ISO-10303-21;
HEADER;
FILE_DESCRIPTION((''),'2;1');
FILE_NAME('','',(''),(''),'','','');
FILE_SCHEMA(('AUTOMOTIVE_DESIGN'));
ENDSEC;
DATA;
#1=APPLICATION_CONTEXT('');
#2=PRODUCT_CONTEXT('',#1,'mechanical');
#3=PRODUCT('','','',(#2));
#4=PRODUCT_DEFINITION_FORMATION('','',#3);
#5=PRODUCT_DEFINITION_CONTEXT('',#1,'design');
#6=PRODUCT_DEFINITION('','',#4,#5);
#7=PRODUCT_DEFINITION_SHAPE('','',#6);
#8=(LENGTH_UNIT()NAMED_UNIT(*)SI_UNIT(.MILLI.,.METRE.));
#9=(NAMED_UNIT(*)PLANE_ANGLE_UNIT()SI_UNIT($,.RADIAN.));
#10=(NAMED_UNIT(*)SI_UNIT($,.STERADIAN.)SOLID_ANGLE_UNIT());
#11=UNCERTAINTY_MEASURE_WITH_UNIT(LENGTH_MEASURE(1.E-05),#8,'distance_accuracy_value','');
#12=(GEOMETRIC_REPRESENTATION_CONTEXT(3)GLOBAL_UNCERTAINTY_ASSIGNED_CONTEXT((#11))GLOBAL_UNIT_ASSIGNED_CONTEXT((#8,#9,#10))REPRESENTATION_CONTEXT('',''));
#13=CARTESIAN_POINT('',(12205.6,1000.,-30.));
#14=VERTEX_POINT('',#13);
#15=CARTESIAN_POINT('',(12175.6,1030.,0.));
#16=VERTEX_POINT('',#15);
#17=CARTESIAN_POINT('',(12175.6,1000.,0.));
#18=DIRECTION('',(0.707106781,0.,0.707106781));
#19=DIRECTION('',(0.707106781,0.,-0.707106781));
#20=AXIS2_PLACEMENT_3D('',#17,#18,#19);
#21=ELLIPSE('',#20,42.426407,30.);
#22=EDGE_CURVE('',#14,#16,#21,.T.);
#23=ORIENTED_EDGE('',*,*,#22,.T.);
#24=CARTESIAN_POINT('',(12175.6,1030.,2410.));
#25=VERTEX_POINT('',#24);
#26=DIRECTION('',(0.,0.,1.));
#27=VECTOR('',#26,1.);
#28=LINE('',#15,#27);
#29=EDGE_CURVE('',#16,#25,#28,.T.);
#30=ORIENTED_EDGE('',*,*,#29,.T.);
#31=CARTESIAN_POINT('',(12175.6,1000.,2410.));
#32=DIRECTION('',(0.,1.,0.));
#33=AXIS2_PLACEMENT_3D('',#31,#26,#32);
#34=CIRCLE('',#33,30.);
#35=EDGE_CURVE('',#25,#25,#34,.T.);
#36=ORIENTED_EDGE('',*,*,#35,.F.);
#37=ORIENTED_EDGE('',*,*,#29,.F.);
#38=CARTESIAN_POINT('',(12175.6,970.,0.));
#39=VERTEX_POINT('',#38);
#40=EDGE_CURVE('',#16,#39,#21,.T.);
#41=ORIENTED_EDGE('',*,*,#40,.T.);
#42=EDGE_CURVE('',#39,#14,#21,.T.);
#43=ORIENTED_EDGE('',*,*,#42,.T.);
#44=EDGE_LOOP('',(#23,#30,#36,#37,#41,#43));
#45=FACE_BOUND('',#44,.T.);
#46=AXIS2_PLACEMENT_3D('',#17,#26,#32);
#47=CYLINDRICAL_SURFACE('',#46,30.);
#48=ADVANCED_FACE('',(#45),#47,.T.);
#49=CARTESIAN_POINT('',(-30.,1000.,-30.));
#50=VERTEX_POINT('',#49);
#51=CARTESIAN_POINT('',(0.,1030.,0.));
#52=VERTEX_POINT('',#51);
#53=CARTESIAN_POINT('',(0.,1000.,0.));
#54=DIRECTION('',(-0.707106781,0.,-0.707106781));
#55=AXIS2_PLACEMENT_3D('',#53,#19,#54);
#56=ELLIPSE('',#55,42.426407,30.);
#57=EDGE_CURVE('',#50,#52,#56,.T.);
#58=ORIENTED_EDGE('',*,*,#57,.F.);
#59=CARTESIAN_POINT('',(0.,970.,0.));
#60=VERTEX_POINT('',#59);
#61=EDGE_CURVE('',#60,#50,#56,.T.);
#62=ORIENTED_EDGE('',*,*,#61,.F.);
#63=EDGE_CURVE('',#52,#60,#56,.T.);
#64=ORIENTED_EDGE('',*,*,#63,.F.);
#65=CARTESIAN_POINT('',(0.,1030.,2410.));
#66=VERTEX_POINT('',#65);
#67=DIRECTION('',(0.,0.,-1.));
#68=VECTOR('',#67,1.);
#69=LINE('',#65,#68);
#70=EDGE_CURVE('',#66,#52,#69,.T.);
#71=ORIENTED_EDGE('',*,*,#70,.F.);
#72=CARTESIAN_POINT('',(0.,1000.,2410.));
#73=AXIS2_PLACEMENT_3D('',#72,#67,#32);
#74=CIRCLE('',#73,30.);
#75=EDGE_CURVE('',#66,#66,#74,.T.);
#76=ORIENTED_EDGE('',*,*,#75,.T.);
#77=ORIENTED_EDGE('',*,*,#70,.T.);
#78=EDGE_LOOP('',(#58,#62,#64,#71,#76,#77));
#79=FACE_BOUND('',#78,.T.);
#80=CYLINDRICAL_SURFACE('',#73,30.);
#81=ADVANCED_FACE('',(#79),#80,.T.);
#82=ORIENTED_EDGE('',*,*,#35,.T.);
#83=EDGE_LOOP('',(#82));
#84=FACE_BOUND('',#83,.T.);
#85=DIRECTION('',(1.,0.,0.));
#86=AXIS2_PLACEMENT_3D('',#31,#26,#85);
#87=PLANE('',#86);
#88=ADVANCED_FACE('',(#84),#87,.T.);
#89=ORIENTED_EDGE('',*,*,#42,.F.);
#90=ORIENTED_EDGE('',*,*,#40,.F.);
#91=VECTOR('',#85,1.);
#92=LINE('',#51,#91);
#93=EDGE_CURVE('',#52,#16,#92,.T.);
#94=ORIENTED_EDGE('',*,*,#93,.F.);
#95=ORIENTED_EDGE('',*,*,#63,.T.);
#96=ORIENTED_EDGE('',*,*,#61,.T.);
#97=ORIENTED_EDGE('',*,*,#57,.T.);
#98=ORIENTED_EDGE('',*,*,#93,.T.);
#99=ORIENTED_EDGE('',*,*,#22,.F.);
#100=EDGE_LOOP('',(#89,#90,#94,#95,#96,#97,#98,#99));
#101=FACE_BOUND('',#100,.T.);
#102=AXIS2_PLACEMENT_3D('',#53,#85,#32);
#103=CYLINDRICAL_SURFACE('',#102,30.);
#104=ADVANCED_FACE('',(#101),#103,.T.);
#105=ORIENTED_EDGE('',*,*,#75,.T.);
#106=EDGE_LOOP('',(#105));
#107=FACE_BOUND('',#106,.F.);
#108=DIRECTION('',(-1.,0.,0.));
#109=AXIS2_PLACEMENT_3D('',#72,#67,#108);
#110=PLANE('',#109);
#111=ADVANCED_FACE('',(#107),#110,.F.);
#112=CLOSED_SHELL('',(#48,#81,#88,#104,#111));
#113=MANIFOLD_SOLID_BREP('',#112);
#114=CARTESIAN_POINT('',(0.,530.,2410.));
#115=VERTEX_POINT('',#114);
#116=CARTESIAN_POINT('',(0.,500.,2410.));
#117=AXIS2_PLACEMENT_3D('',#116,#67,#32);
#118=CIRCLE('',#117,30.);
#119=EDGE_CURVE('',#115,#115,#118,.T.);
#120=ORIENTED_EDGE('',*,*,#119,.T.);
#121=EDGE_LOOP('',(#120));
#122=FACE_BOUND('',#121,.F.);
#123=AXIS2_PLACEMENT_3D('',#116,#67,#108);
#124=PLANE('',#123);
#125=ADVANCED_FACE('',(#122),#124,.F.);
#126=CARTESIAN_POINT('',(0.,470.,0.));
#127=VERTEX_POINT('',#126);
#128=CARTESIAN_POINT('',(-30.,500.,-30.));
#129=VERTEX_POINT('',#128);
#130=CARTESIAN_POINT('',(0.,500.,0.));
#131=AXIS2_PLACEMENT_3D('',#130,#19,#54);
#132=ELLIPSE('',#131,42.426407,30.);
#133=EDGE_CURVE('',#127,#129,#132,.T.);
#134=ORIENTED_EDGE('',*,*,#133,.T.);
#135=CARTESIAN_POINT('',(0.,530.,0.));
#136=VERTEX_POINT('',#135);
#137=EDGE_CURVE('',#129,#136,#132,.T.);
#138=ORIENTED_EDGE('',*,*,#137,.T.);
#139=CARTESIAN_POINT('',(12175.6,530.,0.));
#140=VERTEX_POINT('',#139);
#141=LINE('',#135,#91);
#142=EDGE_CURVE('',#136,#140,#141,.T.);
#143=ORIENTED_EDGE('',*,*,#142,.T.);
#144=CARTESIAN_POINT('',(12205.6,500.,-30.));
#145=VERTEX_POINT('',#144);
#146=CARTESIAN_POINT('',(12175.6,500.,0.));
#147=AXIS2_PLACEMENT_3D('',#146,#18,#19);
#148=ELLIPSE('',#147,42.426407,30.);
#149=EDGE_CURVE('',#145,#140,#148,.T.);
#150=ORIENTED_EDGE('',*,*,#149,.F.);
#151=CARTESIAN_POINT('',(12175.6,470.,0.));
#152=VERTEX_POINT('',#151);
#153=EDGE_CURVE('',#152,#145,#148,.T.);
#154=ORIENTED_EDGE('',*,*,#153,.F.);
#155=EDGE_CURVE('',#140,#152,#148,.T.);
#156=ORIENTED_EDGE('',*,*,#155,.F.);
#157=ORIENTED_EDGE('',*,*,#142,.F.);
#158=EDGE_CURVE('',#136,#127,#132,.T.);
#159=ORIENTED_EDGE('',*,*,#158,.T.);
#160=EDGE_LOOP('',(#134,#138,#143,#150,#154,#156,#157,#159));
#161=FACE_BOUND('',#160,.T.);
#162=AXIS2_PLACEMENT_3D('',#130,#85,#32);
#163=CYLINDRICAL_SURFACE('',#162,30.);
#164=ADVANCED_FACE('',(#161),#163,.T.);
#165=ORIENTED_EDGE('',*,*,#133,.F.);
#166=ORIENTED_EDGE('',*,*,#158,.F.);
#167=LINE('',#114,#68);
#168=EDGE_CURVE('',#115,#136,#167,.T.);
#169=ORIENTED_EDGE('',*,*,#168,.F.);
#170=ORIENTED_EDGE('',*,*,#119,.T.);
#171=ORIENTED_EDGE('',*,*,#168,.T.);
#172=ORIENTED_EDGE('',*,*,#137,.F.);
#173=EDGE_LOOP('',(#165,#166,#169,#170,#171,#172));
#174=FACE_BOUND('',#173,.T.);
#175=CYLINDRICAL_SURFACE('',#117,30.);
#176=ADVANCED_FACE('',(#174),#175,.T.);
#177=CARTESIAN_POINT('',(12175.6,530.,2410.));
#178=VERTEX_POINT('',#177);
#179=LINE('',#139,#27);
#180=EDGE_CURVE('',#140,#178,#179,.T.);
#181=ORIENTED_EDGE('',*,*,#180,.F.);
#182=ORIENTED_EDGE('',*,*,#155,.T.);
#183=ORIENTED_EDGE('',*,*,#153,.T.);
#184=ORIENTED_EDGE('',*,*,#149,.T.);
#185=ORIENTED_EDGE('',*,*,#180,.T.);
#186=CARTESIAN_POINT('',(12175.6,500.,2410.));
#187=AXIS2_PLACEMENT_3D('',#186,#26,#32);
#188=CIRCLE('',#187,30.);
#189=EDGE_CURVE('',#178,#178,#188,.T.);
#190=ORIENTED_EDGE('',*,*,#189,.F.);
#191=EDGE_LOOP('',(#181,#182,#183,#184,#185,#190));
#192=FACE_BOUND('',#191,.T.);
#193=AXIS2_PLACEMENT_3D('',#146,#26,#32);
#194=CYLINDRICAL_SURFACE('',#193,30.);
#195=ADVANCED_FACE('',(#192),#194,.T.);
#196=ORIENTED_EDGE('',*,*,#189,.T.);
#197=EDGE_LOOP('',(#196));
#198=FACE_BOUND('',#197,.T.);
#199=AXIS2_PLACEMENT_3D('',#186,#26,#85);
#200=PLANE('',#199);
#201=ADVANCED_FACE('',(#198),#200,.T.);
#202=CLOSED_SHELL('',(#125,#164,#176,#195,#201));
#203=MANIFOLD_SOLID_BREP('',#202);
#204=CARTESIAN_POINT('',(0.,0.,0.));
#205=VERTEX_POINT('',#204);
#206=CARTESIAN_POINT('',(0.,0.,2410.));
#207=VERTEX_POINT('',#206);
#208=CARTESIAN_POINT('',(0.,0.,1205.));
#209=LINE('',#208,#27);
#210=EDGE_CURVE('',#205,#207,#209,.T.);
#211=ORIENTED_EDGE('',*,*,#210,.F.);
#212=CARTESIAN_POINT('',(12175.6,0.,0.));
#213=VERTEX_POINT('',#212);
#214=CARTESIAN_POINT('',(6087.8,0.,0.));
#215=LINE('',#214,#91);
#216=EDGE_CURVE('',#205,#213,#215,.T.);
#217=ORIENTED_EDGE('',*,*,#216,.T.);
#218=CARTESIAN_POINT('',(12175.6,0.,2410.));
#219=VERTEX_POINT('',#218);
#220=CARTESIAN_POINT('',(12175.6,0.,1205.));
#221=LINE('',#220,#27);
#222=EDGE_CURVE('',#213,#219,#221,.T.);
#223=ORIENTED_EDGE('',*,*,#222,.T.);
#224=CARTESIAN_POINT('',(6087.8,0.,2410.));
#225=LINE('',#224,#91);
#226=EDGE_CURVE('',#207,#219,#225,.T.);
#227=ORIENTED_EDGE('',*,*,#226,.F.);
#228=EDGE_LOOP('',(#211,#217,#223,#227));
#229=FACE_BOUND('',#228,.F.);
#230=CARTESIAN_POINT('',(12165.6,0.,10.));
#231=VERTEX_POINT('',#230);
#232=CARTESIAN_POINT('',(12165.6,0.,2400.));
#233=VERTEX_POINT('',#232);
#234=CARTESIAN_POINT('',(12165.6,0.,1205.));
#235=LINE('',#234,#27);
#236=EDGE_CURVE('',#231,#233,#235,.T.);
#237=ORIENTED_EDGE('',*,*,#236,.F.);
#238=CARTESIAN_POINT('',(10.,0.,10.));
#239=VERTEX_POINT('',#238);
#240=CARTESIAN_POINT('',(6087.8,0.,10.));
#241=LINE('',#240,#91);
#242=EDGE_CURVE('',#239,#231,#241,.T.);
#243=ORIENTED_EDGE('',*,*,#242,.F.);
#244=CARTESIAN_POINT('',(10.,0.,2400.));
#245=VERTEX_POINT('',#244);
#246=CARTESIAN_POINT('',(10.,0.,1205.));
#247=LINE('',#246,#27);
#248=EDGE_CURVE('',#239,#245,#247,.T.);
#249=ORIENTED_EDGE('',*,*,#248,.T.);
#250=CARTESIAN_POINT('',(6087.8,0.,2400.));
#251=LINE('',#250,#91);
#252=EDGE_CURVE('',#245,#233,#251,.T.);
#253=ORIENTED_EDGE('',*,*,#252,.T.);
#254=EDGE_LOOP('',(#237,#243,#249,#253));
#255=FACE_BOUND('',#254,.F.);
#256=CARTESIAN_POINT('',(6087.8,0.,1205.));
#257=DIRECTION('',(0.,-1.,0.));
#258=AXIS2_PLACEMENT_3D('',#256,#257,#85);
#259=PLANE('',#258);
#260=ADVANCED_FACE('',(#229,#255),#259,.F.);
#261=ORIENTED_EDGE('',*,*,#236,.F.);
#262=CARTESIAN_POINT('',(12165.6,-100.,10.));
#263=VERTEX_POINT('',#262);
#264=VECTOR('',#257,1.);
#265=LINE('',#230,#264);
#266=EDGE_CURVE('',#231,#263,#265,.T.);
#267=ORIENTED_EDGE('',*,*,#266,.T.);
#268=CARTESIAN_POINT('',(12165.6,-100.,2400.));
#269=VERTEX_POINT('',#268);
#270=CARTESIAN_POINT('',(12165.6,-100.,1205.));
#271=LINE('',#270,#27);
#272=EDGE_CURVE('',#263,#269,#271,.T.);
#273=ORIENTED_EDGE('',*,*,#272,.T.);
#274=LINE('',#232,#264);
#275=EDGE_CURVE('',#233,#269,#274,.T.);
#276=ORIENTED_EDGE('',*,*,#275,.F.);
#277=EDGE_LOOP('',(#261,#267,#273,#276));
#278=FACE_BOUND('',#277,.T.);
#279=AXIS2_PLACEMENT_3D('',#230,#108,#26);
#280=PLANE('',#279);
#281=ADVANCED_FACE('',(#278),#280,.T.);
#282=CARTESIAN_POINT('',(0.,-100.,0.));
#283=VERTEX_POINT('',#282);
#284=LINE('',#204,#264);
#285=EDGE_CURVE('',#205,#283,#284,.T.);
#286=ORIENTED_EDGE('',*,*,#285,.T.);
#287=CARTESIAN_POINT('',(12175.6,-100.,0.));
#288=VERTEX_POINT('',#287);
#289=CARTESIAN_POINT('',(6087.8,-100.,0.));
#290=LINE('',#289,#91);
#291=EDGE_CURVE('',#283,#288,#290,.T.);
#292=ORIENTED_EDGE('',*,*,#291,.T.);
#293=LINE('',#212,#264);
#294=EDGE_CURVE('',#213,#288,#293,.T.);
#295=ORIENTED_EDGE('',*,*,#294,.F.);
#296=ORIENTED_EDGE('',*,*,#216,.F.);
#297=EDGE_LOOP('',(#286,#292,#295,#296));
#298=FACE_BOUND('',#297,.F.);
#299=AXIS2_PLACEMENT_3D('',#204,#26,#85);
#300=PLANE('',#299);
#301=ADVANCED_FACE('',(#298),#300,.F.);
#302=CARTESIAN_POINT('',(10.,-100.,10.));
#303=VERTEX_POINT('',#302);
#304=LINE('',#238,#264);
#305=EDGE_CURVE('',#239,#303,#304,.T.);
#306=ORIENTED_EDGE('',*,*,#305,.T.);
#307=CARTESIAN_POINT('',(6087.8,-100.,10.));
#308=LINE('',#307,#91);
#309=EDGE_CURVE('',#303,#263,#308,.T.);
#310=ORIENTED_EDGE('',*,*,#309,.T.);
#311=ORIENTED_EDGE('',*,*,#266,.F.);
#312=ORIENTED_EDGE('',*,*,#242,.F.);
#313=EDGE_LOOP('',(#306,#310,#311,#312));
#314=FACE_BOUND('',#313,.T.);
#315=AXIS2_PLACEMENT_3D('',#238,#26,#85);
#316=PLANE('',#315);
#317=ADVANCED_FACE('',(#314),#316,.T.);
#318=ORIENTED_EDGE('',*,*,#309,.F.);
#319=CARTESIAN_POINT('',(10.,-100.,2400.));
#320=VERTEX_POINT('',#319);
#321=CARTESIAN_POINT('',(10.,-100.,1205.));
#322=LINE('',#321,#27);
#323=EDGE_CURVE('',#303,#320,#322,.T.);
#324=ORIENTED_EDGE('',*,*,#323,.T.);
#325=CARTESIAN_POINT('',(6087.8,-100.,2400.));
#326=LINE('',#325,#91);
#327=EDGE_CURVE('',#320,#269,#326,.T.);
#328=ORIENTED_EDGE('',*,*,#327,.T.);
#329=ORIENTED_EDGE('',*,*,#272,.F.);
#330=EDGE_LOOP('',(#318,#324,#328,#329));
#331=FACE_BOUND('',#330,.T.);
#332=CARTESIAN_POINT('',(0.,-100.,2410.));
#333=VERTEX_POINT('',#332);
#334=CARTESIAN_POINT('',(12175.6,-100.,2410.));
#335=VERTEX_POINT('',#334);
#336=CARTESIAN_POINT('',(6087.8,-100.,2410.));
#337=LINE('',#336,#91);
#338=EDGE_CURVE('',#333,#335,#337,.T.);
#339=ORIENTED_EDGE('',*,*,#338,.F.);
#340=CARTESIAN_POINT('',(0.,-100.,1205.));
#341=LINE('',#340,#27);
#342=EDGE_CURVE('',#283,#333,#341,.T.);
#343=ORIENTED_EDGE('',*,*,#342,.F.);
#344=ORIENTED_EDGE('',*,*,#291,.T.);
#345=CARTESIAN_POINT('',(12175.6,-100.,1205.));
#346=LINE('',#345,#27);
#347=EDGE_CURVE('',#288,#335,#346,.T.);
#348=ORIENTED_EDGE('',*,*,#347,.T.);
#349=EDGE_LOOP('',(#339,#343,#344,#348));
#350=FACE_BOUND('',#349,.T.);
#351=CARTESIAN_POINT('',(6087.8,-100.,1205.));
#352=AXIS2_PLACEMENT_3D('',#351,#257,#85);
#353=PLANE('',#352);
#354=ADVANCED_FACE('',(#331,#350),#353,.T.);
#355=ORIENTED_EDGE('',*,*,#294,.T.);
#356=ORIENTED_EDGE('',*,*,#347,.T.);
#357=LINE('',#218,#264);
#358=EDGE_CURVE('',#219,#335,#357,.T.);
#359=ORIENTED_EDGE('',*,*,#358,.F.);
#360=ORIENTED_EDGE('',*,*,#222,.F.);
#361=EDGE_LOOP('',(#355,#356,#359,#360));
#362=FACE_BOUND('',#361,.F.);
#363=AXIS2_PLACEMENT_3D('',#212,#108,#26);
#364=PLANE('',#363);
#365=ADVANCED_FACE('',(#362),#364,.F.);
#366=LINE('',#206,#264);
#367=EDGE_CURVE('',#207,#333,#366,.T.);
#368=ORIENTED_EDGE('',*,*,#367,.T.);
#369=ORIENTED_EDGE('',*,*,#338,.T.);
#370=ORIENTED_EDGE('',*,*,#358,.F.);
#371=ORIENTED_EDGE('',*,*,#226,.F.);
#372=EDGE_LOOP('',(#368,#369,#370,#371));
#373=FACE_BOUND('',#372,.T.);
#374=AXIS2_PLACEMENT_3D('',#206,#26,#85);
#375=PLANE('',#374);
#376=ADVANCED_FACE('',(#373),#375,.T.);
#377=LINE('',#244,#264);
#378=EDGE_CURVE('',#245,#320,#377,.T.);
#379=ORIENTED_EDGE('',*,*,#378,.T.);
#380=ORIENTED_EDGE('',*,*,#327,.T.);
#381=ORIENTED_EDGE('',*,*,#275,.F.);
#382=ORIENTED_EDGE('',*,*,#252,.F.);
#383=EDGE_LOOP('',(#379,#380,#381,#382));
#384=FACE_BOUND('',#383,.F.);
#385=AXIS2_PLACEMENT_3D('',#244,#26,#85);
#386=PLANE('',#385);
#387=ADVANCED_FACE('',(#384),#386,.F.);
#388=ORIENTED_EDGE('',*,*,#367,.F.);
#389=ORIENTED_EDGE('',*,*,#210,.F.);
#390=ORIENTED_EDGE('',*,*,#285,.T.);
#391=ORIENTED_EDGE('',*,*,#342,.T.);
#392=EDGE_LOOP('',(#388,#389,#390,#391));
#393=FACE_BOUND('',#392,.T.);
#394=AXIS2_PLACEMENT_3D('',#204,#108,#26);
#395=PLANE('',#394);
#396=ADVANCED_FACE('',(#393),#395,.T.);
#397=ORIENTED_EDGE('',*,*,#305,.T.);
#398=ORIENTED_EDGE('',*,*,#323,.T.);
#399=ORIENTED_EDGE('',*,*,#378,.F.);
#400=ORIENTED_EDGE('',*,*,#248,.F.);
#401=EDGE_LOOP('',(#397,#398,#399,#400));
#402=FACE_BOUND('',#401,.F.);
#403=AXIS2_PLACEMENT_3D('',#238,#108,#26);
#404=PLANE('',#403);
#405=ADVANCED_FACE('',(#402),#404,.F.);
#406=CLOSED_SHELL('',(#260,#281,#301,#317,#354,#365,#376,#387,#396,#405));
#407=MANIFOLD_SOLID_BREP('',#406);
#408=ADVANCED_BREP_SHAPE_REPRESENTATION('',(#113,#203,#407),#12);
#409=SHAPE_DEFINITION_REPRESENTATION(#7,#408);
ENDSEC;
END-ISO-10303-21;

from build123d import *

# Parameters (mm, degrees)
F0_W     = 12175.6
F0_H     = 2410
F0_W_2   = 12155.6
F0_H_2   = 2390
F1_DEPTH = 100
F2_R     = 30


with BuildPart() as f1:
    # F0 (on Front) → F1 (new body)
    with BuildSketch(Plane.XZ):
        with Locations((6087.8, 1205)):
            Rectangle(F0_W, F0_H)
        with Locations((6087.8, 1205)):
            Rectangle(F0_W_2, F0_H_2, mode=Mode.SUBTRACT)
    extrude(amount=F1_DEPTH)


with BuildPart() as f6:
    # F6: sweep along a path in F5
    with BuildLine(Plane.XZ.offset(-500)) as f6_path:
        Line((0, 2410), (0, 0))
        Line((0, 0), (12175.6, 0))
        Line((12175.6, 0), (12175.6, 2410))
    # F2 (on Right) → F6 (sweep)
    with BuildSketch(Plane.YZ):
        with Locations((500, 0)):
            Circle(F2_R)
    sweep(path=f6_path.line, transition=Transition.RIGHT)


with BuildPart() as f8:
    # F8: sweep along a path in F7
    with BuildLine(Plane.XZ.offset(-1000)) as f8_path:
        Line((0, 2410), (0, 0))
        Line((0, 0), (12175.6, 0))
        Line((12175.6, 0), (12175.6, 2410))
    # F2 (on Right) → F8 (sweep)
    with BuildSketch(Plane.YZ):
        with Locations((1000, 0)):
            Circle(F2_R)
    sweep(path=f8_path.line, transition=Transition.RIGHT)


solid = Compound([f1.part, f6.part, f8.part])
